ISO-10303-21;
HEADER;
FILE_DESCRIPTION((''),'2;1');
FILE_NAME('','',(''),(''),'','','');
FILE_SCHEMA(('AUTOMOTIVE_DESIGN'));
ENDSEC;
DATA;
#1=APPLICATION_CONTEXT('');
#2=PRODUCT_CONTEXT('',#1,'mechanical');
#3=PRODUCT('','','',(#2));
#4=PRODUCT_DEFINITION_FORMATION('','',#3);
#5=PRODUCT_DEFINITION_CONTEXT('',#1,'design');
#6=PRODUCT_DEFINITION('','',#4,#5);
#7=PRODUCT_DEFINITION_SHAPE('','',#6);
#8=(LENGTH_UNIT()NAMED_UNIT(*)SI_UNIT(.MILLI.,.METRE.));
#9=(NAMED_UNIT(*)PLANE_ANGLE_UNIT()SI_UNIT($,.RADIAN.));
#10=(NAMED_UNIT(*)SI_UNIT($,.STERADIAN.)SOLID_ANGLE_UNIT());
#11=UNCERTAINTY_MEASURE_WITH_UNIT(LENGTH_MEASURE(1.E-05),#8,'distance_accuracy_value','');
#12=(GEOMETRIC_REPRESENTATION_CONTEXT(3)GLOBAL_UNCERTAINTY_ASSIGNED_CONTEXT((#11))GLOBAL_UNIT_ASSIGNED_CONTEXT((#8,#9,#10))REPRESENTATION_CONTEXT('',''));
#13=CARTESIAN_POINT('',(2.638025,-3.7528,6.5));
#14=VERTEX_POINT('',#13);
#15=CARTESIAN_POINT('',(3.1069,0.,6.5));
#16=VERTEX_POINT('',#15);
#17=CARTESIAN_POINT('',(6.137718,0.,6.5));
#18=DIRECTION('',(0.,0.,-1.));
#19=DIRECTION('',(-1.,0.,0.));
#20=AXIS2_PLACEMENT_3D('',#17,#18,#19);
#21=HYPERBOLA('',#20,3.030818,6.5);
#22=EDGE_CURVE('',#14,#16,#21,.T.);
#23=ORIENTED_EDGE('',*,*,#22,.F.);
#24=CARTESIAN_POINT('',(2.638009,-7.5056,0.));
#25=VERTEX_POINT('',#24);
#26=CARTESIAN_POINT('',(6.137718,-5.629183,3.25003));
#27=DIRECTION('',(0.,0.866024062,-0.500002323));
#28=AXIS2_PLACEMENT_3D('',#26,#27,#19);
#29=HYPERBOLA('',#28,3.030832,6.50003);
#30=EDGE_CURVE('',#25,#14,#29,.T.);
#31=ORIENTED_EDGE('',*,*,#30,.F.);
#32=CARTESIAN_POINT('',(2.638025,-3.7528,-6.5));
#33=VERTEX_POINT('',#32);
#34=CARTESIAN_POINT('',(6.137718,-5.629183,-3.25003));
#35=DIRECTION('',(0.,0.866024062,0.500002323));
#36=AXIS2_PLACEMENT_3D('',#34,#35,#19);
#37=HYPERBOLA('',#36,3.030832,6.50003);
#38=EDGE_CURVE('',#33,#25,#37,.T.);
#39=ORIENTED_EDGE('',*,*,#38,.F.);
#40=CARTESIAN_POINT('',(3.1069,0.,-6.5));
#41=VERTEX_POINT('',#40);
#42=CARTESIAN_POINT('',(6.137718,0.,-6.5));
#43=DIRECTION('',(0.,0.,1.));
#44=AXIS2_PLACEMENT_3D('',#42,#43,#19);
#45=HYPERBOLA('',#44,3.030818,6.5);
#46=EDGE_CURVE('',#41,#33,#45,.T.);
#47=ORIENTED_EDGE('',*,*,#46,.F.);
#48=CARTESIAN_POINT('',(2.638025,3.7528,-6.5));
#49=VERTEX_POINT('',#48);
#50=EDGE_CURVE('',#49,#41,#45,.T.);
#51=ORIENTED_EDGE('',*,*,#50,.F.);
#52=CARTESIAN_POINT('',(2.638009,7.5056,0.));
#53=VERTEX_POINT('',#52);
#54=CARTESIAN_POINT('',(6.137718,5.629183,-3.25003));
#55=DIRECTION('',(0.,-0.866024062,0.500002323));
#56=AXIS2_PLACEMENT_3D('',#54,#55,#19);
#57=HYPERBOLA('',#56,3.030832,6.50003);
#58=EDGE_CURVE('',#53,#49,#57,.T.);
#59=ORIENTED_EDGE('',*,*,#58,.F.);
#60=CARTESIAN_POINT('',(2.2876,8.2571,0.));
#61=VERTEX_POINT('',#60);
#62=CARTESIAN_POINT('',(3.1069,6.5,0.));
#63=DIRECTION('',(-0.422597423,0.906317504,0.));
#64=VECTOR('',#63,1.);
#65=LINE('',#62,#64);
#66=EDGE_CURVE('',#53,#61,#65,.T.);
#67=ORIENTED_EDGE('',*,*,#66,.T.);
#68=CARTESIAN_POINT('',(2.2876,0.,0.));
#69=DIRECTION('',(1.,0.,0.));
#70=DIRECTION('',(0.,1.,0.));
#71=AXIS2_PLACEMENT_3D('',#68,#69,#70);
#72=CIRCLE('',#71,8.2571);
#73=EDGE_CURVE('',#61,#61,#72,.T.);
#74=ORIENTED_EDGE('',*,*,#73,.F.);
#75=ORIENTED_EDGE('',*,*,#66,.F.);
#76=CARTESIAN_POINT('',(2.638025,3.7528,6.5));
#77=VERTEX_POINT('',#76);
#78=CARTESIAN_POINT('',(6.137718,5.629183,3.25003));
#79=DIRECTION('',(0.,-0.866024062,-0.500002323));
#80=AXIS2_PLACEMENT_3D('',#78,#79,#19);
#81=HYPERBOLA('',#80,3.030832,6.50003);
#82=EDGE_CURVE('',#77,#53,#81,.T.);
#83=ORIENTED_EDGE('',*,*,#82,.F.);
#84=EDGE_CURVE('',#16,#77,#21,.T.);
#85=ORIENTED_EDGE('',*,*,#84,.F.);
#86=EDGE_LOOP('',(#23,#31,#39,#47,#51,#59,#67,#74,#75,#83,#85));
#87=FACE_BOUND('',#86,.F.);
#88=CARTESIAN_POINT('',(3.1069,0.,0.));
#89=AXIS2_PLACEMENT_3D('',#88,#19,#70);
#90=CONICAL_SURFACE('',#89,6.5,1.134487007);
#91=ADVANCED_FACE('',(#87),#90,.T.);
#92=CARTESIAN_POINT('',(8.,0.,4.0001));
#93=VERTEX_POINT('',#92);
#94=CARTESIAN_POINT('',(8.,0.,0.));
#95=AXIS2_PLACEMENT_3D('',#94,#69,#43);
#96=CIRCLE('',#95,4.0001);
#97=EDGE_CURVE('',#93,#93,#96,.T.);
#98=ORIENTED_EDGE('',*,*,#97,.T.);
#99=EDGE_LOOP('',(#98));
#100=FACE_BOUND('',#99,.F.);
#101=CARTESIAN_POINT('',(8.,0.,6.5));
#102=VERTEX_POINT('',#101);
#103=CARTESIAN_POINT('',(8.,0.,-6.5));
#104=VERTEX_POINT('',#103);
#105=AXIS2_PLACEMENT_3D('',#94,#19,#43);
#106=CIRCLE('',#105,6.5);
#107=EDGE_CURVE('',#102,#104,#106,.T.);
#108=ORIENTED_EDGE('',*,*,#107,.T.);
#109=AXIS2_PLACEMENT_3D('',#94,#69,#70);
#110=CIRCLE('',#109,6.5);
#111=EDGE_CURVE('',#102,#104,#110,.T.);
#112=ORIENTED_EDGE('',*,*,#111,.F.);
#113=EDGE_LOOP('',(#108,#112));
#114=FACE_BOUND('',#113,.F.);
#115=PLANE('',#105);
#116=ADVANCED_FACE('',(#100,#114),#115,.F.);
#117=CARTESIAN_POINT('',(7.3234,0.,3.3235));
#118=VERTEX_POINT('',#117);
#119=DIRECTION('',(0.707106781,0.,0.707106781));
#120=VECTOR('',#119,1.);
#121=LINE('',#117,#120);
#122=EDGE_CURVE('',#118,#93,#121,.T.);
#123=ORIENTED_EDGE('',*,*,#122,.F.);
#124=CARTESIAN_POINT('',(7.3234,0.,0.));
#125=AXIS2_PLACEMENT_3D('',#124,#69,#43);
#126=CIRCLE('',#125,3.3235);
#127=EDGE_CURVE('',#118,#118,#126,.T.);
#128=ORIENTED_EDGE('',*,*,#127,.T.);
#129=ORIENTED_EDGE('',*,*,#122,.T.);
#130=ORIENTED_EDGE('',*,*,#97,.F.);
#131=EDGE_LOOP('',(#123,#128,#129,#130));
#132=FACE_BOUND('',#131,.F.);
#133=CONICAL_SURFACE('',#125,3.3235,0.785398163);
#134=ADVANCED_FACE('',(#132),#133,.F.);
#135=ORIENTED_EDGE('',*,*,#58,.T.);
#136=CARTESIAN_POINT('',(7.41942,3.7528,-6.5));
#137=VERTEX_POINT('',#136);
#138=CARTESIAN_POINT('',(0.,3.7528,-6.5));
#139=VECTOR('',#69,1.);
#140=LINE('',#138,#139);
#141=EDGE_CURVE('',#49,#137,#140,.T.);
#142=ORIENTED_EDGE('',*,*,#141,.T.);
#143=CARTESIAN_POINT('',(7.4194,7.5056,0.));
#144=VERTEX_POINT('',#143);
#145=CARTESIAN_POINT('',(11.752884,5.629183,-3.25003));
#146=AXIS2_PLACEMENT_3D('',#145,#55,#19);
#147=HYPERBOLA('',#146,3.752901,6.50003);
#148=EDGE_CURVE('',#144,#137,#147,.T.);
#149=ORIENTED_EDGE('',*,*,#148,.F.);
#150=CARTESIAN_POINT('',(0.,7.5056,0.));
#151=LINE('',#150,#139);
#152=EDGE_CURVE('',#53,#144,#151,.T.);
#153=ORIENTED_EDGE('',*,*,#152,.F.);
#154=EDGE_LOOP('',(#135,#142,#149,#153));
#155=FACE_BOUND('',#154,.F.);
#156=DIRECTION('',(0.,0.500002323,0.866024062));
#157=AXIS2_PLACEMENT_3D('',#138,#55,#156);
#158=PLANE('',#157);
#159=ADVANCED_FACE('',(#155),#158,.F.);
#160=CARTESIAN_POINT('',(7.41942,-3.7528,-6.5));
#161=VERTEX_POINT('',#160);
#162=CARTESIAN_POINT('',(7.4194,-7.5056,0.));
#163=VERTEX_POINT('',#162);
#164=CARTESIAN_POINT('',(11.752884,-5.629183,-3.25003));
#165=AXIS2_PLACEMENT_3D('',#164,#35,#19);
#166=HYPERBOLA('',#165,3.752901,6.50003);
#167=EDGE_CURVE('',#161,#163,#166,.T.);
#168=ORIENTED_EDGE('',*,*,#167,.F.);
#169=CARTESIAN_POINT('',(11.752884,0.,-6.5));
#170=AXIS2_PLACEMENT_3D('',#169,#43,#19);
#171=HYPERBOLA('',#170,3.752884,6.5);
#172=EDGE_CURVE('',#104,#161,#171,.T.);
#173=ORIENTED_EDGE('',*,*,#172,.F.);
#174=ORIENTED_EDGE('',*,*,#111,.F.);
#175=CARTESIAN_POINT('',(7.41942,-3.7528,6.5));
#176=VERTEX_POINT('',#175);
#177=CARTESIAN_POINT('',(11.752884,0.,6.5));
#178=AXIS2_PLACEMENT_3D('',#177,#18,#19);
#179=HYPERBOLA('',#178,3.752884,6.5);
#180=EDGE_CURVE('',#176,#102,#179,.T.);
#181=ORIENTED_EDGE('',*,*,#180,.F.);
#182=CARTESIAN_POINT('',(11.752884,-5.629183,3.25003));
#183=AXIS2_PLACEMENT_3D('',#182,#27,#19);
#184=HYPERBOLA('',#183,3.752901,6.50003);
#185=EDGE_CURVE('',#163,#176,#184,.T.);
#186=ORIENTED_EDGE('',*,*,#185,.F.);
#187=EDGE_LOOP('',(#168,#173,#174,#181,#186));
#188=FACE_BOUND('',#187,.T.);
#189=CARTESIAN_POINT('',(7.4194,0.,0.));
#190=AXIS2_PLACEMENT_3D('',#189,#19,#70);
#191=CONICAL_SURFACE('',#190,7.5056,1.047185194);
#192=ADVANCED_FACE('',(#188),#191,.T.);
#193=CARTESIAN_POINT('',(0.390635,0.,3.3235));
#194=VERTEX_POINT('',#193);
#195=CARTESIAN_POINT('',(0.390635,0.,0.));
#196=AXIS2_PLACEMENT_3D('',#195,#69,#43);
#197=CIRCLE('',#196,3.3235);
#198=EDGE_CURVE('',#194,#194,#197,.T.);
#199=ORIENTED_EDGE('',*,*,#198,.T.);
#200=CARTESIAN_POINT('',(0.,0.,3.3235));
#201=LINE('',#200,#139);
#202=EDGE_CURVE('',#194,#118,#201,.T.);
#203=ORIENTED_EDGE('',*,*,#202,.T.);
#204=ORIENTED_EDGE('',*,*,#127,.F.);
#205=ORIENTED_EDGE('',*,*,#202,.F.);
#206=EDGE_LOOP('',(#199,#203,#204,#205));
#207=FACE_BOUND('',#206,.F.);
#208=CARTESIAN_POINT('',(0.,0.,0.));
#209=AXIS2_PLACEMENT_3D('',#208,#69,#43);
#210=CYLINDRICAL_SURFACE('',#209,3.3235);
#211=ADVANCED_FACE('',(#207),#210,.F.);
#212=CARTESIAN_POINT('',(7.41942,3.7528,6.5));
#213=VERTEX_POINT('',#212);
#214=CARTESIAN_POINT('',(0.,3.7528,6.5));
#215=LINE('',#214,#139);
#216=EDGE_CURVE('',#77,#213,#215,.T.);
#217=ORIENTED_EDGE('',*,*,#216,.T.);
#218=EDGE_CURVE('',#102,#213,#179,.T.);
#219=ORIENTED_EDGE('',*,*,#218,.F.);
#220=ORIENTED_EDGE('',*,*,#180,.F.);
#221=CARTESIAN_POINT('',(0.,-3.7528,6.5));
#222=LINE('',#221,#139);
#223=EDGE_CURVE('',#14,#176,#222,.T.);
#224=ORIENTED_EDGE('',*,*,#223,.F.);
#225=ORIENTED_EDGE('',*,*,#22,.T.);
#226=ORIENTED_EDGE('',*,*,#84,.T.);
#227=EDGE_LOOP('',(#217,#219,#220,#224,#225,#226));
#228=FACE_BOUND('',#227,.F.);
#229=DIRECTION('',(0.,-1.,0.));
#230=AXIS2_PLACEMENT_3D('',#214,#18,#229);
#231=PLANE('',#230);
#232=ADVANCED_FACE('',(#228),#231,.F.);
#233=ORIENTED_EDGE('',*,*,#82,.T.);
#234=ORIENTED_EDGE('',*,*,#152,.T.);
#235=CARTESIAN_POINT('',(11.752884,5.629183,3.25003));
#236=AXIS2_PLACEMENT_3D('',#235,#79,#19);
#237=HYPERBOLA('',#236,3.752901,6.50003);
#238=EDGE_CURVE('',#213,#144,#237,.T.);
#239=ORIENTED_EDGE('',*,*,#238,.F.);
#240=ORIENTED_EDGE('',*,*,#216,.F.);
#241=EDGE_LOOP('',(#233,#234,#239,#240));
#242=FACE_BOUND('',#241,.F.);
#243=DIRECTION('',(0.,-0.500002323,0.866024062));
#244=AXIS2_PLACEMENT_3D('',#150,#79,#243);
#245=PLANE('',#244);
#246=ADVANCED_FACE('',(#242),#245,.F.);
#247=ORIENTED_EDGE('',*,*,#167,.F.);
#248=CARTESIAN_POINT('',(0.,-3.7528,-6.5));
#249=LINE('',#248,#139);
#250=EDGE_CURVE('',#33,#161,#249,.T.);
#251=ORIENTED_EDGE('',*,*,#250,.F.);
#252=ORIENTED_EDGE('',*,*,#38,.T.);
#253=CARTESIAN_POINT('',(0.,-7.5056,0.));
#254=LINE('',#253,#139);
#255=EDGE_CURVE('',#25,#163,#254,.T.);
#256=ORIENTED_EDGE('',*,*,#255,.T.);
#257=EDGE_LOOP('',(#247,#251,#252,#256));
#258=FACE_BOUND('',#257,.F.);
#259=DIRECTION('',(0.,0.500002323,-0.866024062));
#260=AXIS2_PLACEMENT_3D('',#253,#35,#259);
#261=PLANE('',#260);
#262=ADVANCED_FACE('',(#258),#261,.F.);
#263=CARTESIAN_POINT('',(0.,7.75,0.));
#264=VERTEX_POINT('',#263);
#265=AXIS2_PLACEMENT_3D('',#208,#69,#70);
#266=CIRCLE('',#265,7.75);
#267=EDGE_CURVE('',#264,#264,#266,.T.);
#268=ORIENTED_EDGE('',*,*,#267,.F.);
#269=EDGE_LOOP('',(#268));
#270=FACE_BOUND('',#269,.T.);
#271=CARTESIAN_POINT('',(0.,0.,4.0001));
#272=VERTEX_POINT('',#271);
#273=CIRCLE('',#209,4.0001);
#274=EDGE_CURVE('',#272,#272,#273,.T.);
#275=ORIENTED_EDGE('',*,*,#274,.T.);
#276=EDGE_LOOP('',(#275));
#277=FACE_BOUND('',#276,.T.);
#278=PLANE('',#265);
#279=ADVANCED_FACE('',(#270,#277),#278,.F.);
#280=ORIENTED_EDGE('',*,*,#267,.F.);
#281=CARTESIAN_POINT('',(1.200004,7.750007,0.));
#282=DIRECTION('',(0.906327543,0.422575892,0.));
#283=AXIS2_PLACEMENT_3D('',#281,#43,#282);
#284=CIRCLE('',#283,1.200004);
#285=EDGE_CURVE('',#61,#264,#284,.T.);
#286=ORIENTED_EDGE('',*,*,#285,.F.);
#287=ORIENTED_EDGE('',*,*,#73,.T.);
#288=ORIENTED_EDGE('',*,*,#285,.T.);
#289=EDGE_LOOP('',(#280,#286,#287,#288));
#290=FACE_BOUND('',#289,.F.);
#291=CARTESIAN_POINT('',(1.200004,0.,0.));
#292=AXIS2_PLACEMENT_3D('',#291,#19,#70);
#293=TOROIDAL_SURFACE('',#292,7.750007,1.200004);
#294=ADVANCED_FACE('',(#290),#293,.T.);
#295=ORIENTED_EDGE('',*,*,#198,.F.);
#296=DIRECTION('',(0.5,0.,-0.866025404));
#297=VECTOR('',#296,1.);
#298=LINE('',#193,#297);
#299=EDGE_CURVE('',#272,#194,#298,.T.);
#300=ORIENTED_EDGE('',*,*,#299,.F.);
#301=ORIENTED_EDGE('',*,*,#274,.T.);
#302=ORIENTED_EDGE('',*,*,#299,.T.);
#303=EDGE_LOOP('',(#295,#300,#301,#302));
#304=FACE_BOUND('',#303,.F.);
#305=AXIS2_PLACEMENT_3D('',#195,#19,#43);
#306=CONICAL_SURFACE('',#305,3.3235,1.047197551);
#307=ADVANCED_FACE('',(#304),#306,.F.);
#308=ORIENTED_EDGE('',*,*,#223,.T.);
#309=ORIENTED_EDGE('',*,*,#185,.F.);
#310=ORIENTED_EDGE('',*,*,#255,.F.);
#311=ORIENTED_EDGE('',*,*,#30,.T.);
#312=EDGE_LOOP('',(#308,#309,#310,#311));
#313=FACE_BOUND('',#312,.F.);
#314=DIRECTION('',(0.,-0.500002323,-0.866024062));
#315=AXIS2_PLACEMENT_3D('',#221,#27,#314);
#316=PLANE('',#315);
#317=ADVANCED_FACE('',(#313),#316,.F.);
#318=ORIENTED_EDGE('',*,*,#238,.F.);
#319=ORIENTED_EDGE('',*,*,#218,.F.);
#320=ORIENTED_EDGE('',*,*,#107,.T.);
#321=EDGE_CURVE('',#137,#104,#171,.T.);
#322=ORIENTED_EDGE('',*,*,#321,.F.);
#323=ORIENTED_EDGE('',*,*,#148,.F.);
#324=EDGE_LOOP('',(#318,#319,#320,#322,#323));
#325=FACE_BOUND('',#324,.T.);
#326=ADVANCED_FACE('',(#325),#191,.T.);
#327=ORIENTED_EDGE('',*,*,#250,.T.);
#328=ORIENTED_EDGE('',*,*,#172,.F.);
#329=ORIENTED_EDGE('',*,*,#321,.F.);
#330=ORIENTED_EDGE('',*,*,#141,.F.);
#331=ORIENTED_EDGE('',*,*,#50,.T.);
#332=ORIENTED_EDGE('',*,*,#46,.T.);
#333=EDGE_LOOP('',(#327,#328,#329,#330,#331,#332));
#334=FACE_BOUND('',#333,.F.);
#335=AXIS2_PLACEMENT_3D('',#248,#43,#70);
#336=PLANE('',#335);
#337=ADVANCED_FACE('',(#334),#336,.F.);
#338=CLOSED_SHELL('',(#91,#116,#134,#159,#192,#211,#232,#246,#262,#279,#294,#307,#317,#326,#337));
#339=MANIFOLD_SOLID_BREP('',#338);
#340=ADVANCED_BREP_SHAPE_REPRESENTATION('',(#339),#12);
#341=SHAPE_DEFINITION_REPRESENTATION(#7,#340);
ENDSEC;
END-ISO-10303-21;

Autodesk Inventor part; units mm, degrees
ref_plane "YZ Plane" through (0, 0, 0) normal (1, 0, 0) x (0, 1, 0)
ref_plane "XZ Plane" through (0, 0, 0) normal (0, 1, 0) x (-1, 0, 0)
sketch "Sketch1" plane through (0, 0, 0) normal (0, 0, 1) x (1, 0, 0)
  line L0 (-1.8442, 0) -> (9.6407, 0) projected
  line L1 (3.1069, 6.5) -> (2.2876, 8.2571)
  line L2 (3.1069, 6.5) -> (8, 6.5) construction
  line L3 (8, 6.5) -> (8, 0) construction
  arc A0 (2.2876, 8.2571) -> (0, 7.75) centre (1.2, 7.75) ccw
  line L4 (3.1069, 6.5) -> (3.1069, 0)
  line L5 (0, -1.835) -> (0, 11.0102) projected
  point P0 (0, 0)
  dimension "d2" = 13
  dimension "d4" = 17.9
  dimension "d5" = 1.2
  dimension "d15" = 8
  dimension "d16" = 25
revolve "Ring" add sketch "Sketch1" angle 360 about axis through (-10, 0, 0) along (1, 0, 0)
sketch "Sketch2" plane through (0, 0, 0) normal (-1, 0, 0) x (0, 0, 1)
  circle A0 centre (0, 0) radius 4.9
  line L0 (-6.5, -3.7528) -> (-6.5, 3.7528)
  line L1 (-6.5, 3.7528) -> (0, 7.5056)
  line L2 (0, 7.5056) -> (6.5, 3.7528)
  line L3 (6.5, 3.7528) -> (6.5, -3.7528)
  line L4 (6.5, -3.7528) -> (0, -7.5056)
  line L5 (0, -7.5056) -> (-6.5, -3.7528)
  circle A1 centre (0, 0) radius 7.75 projected
  dimension "d6" = 15.0111
extrude "Body" add sketch "Sketch2" against normal blind 8 contours A0 | L0 L1 L2 L3 L4 L5
sketch "Sketch3" plane through (0, 0, 0) normal (0, 0, 1) x (1, 0, 0)
  line L0 (2.638, 7.5056) -> (8, 7.5056) projected
  line L1 (8, 3.7528) -> (8, 7.5056) projected
  line L2 (0, -7.75) -> (0, 7.75) projected
  line L3 (-1.6, 0) -> (9.6, 0) projected
  line L4 (7.4194, 7.5056) -> (8, 6.5)
  dimension "d10" = 30
  dimension "d11" = 13
revolve "Chamfer1" cut sketch "Sketch3" angle 360 about axis through (-10, 0, 0) along (1, 0, 0)
sketch "Sketch4" plane through (0, 0, 0) normal (-1, 0, 0) x (0, 0, 1)
  circle A0 centre (0, 0) radius 7.75 projected
hole "Thread" at (0, 0, 0) direction (1, 0, 0) diameter 6.647 end through all thread size "M8x1.25" class "6H" standard "ISO Metric profile"
chamfer "Chamfer2" distance 0.6766 angle 30 1 edges at (0, 0, -3.3235) measured on face at (0, 6.1914, -0.7518)
ref_plane "Work Plane1" through (26.5484, 0, 0) normal (0, 0, -1) x (-1, 0, 0)
chamfer "Chamfer3" distance 0.6766 angle 45 1 edges at (8, 0, -3.3235)
equation "\"d2\" = SW"
equation "\"d4\" = LADI"
equation "\"d5\" = PHH"
equation "\"d15\" = KOH"
equation "\"d16\" = KEWI"
equation "\"d6\" = 1.1547 * SW"
equation "\"d7\" = KOH"
equation "\"d10\" = ANG1"
equation "\"d11\" = SW0"
equation "\"d12\" = -0.5 * GD1 + 0.5 * NND"
equation "\"d46\" = -0.5 * GD1 + 0.5 * NND"
equation "\"d51\" = -0.5 * GD1 + 0.5 * NND"
equation "\"ANG1\" = 30deg"
equation "\"KEWI\" = 25deg"
equation "\"NND\" = 8"
equation "\"LADI\" = 17.9"
equation "\"SW\" = 13"
equation "\"PHH\" = 1.2"
equation "\"KOH\" = NND"
equation "\"SW0\" = 13"
equation "\"d1\" = LADI"
equation "\"d3\" = PHH"
equation "\"GUL\" = 0.541266 * PTC"
equation "\"RR\" = PHH"
equation "\"THREADDIA\" = 8"
equation "\"TOA\" = 30deg"
equation "\"PTC\" = 1.25"
equation "\"GAL\" = 0.541266 * PTC"
equation "\"E0\" = 1.155 * SW"
equation "\"GD1\" = 6.646835"
properties part number "ISO 4161 - M8(1)" material "Stainless Steel"
